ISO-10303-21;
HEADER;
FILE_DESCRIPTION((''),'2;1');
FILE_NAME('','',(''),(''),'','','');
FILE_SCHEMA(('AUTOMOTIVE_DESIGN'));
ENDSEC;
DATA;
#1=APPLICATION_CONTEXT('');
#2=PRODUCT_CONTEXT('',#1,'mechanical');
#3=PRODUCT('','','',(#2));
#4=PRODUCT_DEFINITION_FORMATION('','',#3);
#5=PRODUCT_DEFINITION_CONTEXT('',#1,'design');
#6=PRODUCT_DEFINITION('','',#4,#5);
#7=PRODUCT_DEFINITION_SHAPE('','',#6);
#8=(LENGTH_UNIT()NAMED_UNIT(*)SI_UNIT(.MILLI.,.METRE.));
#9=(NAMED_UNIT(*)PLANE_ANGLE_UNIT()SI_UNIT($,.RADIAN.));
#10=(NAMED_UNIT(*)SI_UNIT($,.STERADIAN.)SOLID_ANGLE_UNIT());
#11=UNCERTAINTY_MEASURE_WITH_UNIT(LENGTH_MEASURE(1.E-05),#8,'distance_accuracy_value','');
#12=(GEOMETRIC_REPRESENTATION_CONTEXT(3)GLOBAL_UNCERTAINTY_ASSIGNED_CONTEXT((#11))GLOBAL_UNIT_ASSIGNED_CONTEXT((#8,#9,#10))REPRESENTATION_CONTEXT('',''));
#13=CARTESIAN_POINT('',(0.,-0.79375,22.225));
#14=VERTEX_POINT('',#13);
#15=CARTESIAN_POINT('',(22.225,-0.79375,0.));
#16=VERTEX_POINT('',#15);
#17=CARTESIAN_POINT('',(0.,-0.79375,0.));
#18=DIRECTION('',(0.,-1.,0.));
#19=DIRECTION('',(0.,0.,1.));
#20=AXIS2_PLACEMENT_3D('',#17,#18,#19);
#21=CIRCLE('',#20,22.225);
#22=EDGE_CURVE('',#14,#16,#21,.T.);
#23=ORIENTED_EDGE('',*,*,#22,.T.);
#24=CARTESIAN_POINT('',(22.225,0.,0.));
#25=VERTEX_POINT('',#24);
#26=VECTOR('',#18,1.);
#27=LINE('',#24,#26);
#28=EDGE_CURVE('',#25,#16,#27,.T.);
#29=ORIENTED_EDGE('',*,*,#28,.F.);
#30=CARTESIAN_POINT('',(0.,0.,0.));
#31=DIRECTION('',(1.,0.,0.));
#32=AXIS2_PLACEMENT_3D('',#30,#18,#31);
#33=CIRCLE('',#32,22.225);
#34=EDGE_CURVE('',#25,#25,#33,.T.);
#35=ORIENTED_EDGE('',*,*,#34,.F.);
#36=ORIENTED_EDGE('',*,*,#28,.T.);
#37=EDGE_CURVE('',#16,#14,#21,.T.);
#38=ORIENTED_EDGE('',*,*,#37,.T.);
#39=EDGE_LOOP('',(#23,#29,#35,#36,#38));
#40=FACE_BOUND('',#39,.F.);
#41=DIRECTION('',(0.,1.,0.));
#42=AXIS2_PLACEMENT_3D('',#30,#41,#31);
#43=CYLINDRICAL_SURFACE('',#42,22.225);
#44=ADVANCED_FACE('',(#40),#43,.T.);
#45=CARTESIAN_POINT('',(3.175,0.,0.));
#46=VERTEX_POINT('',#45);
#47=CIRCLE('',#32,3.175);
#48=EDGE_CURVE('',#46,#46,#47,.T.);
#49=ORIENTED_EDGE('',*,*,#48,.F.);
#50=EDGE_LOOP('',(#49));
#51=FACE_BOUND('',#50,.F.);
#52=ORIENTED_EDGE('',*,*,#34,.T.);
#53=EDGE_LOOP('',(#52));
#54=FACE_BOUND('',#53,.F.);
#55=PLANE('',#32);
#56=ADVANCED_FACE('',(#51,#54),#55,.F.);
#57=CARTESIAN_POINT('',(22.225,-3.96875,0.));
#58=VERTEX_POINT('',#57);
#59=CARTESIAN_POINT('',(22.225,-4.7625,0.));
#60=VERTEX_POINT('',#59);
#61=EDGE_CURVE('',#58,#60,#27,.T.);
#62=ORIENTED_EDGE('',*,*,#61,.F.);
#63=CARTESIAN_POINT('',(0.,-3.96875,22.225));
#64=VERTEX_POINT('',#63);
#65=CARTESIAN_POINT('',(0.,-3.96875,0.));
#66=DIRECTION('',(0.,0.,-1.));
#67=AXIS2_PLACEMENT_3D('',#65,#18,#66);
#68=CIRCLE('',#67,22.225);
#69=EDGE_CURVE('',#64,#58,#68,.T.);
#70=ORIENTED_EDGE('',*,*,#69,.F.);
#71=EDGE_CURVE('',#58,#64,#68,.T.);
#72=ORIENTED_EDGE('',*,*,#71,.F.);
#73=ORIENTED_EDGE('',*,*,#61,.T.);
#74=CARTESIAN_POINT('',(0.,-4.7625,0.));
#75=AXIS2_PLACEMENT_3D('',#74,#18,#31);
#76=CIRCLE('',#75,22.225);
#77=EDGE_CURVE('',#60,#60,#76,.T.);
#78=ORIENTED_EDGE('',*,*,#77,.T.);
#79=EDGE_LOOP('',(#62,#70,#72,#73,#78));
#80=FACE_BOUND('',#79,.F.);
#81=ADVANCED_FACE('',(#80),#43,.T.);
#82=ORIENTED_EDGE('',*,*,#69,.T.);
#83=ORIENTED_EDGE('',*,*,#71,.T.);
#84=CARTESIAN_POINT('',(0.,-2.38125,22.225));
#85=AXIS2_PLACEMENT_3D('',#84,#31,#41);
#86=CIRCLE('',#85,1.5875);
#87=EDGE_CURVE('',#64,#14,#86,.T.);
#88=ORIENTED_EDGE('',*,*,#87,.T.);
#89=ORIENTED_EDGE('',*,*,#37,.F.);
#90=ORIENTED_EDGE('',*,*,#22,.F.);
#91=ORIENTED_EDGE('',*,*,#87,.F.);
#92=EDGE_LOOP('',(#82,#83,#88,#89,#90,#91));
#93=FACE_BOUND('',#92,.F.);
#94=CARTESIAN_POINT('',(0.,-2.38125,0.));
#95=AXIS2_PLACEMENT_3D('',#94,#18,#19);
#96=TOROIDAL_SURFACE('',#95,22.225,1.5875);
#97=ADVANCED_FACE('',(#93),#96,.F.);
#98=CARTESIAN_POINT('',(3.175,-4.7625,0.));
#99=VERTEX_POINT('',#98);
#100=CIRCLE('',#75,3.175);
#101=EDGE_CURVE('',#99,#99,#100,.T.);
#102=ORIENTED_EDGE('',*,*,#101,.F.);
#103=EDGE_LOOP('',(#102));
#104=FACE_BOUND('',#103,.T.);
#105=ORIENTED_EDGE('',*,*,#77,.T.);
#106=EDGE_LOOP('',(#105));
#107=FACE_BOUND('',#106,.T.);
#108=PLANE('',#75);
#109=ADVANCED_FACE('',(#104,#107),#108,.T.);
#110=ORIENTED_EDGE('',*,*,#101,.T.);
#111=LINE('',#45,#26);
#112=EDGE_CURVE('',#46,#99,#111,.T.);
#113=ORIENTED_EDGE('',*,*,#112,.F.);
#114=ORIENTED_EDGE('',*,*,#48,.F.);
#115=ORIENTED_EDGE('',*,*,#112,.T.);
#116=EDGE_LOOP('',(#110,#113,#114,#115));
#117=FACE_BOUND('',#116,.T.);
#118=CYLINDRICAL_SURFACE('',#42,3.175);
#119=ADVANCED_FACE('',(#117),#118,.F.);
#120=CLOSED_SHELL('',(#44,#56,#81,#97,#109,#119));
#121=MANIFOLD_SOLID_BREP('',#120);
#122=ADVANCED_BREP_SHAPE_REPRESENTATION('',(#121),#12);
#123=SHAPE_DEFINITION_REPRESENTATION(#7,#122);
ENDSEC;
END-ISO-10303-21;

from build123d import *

# Parameters (mm, degrees)
F0_R     = 22.225
F0_R_2   = 3.175
F1_DEPTH = 4.7625
F2_R     = 1.5875


with BuildPart() as f1:
    # F0 (on Front) → F1 (new body)
    with BuildSketch(Plane.XZ):
        Circle(F0_R)
        Circle(F0_R_2, mode=Mode.SUBTRACT)
    extrude(amount=F1_DEPTH)

    # F2 (on Right) → F3 (revolve, cut)
    with BuildSketch(Plane.YZ):
        with Locations((-2.38125, 22.225)):
            Circle(F2_R)
    revolve(axis=Axis((0, -4.7625, 0), (0, -1, 0)), mode=Mode.SUBTRACT)


solid = f1.part
